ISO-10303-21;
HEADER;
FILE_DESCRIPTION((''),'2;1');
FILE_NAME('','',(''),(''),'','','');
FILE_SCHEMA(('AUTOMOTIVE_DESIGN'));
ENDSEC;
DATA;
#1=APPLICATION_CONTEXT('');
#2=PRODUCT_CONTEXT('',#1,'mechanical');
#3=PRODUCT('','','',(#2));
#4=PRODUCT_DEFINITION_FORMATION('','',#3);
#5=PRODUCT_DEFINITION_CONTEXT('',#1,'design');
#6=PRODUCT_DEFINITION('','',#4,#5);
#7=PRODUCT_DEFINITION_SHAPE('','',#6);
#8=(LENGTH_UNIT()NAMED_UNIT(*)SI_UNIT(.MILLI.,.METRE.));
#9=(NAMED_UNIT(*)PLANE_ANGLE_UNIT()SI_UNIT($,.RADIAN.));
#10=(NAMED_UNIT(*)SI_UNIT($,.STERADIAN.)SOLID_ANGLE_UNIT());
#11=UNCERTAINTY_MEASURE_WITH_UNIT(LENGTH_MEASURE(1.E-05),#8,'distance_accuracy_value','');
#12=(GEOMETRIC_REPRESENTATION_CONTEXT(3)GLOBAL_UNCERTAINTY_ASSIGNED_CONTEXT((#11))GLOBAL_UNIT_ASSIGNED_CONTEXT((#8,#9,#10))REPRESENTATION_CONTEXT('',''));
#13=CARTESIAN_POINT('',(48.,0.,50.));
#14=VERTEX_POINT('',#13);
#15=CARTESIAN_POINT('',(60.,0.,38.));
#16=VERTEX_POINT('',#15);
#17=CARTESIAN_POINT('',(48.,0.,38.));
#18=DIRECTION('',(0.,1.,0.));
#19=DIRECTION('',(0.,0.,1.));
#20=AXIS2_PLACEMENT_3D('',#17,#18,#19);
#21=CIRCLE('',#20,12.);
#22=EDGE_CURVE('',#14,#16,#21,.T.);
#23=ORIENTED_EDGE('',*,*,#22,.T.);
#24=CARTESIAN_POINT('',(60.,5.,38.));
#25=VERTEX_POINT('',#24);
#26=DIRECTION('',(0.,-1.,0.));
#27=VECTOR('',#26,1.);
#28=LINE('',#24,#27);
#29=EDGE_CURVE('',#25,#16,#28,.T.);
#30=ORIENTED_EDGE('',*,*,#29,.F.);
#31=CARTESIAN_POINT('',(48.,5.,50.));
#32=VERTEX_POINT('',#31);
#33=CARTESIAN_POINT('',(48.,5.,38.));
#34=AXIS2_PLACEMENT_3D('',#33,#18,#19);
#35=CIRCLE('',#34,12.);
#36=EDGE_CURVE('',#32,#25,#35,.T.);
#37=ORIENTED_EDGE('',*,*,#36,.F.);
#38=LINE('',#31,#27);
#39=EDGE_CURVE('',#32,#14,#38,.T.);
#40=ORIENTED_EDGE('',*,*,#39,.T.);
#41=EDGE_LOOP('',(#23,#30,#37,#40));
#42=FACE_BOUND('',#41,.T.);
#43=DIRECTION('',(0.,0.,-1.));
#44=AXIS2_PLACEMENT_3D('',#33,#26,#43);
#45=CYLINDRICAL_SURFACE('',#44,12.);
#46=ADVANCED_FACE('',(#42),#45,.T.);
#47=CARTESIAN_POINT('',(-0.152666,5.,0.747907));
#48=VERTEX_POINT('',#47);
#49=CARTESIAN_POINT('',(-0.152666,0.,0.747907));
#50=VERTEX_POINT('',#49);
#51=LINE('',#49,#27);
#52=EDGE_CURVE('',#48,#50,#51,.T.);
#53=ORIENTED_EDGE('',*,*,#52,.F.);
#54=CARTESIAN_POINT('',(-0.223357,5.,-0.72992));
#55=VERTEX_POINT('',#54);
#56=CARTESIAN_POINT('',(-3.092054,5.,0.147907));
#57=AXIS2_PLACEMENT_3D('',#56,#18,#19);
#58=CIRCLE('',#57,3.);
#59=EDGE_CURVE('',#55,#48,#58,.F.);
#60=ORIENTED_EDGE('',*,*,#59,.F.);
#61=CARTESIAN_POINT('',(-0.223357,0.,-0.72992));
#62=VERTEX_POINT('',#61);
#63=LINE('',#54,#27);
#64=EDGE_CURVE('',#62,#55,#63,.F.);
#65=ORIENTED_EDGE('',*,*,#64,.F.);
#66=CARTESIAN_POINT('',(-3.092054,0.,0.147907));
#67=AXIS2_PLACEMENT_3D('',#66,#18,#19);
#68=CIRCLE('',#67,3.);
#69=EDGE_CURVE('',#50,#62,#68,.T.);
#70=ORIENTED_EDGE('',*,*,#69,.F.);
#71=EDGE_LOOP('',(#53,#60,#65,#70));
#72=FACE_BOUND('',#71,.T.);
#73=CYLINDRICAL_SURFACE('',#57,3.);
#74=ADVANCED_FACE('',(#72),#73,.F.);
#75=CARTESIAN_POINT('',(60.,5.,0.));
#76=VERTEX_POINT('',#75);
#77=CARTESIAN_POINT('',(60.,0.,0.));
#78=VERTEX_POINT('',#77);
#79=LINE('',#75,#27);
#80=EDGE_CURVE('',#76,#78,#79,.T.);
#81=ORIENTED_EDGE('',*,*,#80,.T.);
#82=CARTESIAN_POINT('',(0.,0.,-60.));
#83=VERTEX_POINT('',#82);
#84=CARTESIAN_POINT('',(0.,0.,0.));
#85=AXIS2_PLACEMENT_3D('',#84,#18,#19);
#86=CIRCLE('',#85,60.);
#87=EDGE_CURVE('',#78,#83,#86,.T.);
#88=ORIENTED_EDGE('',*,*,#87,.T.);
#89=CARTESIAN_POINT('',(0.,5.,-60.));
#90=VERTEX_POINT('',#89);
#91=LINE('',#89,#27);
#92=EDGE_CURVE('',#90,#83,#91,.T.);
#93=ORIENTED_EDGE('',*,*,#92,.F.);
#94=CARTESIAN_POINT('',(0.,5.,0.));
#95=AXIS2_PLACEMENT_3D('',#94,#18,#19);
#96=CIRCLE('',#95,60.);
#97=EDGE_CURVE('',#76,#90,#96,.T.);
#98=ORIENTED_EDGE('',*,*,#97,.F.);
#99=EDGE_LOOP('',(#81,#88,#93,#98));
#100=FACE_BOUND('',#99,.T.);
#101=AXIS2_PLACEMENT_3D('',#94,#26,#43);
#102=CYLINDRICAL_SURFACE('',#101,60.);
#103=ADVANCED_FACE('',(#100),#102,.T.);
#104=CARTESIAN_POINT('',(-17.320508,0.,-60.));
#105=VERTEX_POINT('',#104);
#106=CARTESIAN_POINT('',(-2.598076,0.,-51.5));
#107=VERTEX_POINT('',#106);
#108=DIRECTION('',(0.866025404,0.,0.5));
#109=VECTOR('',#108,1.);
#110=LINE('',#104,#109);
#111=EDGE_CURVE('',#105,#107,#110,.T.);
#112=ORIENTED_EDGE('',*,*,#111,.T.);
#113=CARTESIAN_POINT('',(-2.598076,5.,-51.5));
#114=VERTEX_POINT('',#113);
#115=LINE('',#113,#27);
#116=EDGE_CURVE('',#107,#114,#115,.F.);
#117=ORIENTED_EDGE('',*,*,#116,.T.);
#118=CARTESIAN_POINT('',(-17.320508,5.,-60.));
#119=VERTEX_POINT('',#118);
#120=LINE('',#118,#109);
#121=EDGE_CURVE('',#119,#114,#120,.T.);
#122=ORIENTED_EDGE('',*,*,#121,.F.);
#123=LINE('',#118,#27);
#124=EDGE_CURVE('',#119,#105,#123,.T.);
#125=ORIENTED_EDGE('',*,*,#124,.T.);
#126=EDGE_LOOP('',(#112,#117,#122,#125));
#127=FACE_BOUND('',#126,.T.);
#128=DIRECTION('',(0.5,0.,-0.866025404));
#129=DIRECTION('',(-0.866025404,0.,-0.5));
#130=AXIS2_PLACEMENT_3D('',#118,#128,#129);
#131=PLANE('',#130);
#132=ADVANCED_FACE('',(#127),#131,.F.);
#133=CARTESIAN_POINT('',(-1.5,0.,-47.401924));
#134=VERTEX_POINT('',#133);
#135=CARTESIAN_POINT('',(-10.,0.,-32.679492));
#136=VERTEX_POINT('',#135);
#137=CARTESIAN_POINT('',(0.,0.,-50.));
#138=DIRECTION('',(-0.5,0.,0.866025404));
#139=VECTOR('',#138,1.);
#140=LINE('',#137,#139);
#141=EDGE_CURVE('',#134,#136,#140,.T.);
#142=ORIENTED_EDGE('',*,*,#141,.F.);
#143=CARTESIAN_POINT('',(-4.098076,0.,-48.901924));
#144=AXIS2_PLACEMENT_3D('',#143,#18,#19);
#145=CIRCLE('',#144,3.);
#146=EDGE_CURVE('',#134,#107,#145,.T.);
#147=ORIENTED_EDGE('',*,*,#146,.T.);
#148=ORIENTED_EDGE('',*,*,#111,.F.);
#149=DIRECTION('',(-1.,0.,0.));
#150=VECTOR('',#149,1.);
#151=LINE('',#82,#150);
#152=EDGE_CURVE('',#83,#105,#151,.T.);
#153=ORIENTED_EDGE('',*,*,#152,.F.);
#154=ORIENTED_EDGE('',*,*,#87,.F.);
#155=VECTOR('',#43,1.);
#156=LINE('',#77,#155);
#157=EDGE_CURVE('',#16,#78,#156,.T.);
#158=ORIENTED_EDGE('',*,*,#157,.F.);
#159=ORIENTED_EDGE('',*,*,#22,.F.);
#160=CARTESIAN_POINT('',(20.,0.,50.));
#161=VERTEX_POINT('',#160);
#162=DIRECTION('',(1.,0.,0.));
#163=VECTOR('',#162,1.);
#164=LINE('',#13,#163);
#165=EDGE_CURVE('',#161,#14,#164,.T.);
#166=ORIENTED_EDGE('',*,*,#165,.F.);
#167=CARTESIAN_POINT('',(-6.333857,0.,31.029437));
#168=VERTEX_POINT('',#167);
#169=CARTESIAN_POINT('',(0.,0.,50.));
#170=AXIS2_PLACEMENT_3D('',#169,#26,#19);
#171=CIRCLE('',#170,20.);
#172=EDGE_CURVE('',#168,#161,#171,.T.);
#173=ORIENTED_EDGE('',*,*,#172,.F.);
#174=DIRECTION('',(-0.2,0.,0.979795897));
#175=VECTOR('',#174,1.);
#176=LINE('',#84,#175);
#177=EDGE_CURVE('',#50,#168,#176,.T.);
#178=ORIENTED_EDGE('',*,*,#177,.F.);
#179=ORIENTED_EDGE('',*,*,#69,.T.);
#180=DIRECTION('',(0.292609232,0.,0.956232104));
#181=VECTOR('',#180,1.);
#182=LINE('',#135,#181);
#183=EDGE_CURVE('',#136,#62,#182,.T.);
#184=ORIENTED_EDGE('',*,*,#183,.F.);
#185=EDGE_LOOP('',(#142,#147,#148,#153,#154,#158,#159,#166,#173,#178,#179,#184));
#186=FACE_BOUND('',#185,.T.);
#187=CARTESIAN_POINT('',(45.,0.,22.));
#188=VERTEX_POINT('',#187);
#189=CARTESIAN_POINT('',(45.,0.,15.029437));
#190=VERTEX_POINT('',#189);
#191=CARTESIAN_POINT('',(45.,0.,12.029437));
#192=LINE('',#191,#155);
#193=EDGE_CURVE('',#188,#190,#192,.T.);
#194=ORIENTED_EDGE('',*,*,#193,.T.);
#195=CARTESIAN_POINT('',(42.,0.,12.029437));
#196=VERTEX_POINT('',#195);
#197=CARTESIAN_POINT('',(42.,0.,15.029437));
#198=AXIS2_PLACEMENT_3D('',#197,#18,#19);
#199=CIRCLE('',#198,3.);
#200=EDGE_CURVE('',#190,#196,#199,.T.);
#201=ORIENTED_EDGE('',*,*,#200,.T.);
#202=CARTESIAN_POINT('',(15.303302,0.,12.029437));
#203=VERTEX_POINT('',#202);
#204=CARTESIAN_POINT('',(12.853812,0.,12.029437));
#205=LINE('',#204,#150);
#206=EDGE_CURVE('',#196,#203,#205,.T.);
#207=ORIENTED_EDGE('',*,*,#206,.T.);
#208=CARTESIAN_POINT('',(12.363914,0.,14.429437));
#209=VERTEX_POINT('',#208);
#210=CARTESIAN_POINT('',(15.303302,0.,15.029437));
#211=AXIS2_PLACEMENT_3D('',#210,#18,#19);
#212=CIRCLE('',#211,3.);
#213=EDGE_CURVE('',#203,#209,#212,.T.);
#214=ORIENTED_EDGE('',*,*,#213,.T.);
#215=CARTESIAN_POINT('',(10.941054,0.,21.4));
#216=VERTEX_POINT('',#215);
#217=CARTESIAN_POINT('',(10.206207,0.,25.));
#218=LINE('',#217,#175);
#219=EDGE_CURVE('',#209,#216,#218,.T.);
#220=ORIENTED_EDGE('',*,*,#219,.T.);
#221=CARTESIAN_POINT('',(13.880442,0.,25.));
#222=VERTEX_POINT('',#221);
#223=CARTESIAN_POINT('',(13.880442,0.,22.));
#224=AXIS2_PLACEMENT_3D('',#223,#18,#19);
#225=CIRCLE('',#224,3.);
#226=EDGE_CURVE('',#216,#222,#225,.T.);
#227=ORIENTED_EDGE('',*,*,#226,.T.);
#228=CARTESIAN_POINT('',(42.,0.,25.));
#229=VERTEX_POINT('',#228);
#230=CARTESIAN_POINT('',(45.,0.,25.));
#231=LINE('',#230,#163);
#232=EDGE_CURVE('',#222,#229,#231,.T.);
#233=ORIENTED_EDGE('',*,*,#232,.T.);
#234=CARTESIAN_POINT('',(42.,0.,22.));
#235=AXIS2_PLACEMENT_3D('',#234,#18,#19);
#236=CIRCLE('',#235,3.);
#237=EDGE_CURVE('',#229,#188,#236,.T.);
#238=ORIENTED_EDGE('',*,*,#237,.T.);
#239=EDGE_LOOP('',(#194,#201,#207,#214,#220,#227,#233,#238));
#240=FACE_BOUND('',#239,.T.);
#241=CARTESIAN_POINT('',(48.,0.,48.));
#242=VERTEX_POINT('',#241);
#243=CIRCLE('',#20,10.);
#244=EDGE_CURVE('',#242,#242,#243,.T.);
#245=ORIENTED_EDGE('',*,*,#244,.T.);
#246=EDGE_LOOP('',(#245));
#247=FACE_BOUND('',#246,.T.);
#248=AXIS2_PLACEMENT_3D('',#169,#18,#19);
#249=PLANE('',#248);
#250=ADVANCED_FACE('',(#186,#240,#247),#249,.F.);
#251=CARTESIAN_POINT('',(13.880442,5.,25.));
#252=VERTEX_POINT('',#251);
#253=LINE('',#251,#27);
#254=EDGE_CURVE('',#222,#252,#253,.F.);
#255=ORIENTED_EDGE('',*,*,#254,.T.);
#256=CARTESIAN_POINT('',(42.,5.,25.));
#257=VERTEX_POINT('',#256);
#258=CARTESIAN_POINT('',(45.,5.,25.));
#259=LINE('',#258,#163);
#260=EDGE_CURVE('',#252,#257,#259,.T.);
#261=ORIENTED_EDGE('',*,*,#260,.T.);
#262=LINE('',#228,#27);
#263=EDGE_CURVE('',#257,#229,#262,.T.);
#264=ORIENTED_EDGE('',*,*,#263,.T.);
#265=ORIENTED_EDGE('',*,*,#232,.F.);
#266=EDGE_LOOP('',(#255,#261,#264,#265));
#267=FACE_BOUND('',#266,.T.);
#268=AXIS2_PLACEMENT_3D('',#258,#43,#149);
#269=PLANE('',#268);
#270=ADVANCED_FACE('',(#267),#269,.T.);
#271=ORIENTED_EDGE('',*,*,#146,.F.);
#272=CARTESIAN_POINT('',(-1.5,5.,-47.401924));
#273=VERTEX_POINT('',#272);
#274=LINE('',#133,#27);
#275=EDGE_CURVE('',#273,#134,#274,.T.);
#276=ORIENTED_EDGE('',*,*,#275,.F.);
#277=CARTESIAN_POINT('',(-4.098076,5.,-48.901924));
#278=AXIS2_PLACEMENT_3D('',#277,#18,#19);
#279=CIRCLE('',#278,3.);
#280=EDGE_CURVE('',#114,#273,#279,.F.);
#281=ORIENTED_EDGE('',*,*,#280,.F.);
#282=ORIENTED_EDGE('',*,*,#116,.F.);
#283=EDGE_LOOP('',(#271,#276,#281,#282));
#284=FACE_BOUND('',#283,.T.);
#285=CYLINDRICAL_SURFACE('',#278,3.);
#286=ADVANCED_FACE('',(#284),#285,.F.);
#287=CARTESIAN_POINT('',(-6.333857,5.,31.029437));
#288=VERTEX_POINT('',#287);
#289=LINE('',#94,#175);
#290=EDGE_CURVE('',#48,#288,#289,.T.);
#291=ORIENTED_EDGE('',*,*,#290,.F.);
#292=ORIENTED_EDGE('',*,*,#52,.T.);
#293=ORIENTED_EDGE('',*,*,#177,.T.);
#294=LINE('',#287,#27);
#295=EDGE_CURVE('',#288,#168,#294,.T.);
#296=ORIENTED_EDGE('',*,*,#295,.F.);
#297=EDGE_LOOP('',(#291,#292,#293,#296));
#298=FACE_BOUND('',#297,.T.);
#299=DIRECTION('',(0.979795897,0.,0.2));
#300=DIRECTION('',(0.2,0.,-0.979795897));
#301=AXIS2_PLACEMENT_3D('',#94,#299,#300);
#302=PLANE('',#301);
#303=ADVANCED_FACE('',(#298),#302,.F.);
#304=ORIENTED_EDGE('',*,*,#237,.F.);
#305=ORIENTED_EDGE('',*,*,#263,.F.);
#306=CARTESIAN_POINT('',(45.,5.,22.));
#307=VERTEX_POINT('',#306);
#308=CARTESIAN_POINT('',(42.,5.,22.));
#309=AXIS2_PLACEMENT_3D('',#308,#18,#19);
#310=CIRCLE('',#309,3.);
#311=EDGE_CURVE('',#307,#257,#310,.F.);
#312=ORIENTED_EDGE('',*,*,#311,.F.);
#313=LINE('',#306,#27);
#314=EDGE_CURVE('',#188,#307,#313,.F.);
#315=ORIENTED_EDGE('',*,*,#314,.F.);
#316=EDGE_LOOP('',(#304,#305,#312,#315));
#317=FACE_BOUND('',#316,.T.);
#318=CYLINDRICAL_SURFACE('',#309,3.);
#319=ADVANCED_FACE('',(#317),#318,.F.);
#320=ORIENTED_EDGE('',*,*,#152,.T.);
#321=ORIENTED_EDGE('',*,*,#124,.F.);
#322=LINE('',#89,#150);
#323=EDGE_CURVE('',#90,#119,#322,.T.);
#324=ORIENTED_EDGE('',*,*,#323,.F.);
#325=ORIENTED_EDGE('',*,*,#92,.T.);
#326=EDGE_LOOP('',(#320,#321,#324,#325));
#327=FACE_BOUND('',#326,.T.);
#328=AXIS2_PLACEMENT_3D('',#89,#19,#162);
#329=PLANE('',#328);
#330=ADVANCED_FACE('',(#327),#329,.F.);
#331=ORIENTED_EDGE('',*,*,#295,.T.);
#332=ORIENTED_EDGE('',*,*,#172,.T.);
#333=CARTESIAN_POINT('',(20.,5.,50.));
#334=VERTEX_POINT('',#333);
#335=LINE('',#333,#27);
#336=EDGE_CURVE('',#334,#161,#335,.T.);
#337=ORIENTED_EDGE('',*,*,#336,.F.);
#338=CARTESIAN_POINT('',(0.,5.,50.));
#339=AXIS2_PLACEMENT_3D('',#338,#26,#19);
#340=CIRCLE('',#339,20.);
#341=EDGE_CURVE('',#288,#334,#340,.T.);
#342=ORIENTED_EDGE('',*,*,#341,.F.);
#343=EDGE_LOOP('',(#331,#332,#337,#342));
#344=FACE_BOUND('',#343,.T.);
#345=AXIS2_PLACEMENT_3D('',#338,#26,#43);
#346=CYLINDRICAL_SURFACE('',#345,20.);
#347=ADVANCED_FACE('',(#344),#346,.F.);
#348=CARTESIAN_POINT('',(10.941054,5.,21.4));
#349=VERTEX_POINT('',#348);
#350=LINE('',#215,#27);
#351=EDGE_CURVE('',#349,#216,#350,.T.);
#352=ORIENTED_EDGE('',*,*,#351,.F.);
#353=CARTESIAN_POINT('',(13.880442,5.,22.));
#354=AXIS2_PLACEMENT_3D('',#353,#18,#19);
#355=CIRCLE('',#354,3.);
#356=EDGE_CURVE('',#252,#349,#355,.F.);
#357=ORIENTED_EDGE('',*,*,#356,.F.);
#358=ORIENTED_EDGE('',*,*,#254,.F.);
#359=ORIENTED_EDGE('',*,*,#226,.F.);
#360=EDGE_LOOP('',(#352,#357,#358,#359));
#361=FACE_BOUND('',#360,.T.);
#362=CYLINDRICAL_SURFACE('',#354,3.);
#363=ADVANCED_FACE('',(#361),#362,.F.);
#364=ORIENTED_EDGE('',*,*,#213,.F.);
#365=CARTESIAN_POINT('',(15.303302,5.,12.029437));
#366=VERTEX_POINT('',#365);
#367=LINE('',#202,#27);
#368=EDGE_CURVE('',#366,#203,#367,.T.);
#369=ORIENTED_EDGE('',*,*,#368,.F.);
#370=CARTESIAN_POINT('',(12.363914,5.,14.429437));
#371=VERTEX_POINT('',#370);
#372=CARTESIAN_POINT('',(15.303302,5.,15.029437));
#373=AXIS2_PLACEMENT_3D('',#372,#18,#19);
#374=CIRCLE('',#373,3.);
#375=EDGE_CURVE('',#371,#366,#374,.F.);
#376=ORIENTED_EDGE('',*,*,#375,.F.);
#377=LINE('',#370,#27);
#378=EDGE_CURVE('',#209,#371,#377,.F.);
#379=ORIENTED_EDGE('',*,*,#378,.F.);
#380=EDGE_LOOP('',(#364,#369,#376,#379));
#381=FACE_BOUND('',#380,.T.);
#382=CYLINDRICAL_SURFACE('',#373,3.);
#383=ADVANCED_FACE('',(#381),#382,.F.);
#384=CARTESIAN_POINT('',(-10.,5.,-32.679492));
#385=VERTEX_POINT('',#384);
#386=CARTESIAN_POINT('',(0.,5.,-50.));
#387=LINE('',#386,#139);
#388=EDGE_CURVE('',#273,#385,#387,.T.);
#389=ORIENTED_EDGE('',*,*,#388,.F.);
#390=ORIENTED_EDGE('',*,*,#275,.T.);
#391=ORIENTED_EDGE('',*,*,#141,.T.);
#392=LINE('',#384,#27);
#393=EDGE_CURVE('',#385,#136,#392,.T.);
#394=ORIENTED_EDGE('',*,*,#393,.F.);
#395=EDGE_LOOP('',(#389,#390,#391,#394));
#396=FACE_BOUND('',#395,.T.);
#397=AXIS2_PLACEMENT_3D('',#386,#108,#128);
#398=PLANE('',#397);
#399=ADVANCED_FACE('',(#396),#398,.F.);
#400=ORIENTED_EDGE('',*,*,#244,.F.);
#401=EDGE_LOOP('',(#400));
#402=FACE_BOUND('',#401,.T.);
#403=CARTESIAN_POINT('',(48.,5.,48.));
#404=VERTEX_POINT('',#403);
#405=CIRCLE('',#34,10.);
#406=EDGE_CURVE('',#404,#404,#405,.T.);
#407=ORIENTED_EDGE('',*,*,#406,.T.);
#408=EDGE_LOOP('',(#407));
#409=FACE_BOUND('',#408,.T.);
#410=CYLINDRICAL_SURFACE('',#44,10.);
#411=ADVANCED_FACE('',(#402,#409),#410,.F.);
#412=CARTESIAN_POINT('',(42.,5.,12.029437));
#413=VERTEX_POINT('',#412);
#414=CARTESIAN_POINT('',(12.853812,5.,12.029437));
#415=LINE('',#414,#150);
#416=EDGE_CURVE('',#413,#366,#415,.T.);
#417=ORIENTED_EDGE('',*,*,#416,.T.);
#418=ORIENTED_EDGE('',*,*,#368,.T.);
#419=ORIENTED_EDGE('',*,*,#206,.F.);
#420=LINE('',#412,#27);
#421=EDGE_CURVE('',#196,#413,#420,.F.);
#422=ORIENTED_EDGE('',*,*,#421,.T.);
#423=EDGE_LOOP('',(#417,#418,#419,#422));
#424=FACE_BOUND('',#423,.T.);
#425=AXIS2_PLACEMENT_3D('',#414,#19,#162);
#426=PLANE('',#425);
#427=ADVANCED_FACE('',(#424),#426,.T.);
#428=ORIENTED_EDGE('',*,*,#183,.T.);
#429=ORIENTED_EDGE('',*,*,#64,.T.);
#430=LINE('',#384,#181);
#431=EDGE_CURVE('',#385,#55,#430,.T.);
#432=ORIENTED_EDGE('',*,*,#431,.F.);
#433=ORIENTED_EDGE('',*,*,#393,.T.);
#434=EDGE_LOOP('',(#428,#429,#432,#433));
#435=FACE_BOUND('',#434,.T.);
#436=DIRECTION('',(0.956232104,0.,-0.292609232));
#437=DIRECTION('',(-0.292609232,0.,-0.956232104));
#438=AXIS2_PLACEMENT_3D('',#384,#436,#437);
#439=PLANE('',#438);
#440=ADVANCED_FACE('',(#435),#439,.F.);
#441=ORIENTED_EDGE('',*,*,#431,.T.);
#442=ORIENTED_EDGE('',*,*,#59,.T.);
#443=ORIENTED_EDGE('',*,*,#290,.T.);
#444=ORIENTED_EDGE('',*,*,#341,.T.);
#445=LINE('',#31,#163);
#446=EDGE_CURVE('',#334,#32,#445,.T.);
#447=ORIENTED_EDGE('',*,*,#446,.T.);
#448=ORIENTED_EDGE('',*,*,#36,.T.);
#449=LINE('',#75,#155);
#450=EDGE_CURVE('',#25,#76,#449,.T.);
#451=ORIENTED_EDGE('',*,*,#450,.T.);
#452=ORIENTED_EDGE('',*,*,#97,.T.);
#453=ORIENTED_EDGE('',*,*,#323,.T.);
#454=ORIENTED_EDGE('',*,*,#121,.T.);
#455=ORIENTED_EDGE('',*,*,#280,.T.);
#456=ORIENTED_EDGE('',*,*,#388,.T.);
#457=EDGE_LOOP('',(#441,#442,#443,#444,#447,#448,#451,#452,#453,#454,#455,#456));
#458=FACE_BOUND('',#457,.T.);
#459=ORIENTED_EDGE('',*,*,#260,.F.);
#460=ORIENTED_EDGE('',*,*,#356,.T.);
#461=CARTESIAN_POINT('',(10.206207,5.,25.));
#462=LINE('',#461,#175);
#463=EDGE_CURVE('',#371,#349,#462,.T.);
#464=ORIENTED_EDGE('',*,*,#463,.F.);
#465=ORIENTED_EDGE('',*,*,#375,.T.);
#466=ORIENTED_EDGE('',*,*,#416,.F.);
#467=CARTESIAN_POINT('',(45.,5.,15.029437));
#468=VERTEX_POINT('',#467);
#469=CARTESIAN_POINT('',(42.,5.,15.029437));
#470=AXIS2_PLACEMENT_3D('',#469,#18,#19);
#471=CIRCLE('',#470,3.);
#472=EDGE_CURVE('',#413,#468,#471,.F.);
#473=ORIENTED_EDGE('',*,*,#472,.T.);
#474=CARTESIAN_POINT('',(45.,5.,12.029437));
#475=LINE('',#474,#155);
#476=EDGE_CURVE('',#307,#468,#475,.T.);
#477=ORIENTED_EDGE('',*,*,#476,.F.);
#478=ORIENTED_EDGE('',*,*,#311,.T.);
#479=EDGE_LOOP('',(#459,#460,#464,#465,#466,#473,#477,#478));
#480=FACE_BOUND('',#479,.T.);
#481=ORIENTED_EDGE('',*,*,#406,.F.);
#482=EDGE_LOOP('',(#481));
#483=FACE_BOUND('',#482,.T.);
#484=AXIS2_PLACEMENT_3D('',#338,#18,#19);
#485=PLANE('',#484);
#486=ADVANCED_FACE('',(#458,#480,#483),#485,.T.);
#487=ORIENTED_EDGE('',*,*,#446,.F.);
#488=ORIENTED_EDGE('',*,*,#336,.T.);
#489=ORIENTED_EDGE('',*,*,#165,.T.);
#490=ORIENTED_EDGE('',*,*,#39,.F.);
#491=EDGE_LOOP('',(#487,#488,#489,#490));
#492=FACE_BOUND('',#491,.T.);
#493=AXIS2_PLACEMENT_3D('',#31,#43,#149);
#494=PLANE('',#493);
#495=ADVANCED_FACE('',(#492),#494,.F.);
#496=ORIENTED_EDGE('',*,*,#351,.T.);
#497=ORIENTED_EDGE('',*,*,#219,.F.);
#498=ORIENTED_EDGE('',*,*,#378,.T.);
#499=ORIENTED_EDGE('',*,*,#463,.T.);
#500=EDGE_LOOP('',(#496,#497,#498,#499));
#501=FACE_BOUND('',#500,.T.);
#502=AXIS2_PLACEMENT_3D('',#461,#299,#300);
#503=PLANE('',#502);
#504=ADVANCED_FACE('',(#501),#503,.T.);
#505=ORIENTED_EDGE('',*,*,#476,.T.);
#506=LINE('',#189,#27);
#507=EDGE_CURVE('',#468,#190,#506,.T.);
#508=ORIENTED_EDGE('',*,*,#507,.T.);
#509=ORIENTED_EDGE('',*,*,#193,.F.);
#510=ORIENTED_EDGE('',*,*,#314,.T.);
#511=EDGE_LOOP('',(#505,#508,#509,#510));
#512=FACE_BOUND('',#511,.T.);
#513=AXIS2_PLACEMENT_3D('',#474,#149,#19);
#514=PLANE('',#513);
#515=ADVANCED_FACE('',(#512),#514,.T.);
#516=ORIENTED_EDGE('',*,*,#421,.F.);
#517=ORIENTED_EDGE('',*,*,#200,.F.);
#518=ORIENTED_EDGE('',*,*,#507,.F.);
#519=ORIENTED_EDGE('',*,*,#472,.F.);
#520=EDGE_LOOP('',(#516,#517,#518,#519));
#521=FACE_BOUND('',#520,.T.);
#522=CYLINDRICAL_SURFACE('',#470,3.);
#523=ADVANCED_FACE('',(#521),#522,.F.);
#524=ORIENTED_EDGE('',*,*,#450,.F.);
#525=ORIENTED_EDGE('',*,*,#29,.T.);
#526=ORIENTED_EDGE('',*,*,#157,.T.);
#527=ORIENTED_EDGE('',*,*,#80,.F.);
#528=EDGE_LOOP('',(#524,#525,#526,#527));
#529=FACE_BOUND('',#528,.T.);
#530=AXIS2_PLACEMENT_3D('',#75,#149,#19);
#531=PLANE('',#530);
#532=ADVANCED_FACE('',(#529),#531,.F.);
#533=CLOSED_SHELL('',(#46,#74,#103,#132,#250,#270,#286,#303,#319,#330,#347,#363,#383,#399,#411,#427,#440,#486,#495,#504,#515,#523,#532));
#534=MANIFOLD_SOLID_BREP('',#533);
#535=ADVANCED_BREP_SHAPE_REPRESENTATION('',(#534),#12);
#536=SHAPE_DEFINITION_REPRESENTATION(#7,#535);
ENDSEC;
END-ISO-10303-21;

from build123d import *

# Parameters (mm, degrees)
PROFILE_SKETCH_R      = 10
PROFILE_EXTRUDE_DEPTH = 5
TRAPEZOID_FILLET_R    = 3
CLAW_FILLET_R         = 3


with BuildPart() as part:
    # Profile Sketch → Profile Extrude (new body)
    with BuildSketch(Plane(origin=(0, 0, 0), x_dir=(1, 0, 0), z_dir=(0, 1, 0))):
        with BuildLine():
            Line((0, 60), (-17.320508076, 60))
            Line((-17.320508076, 60), (0, 50))
            Line((0, 50), (-10, 32.679491924))
            Line((-10, 32.679491924), (0, 0))
            Line((0, 0), (-6.333857356, -31.029437252))
            ThreePointArc((-6.333857356, -31.029437252), (11.690227818, -33.772289947), (20, -50))
            Line((20, -50), (48, -50))
            ThreePointArc((48, -50), (56.485281374, -46.485281374), (60, -38))
            Line((60, -38), (60, 0))
            ThreePointArc((60, 0), (42.426406871, 42.426406871), (0, 60))
        make_face()
        with Locations(Location((48, -38, 0), (0, 0, 270))):
            Circle(PROFILE_SKETCH_R, mode=Mode.SUBTRACT)
        Polygon((12.853812296, -12.029437252), (45, -12.029437252), (45, -25), (10.206207262, -25), align=None, mode=Mode.SUBTRACT)
    extrude(amount=PROFILE_EXTRUDE_DEPTH)

    # Trapezoid Fillet
    trapezoid_fillet_edges = [part.edges().sort_by_distance(p)[0] for p in [
        (10.206207262, 2.5, 25),
        (45, 2.5, 25),
        (45, 2.5, 12.029437252),
        (12.853812296, 2.5, 12.029437252),
    ]]
    fillet(trapezoid_fillet_edges, radius=TRAPEZOID_FILLET_R)

    # Claw Fillet
    claw_fillet_edges = [part.edges().sort_by_distance(p)[0] for p in [
        (0, 2.5, -50),
        (0, 2.5, 0),
    ]]
    fillet(claw_fillet_edges, radius=CLAW_FILLET_R)


solid = part.part
